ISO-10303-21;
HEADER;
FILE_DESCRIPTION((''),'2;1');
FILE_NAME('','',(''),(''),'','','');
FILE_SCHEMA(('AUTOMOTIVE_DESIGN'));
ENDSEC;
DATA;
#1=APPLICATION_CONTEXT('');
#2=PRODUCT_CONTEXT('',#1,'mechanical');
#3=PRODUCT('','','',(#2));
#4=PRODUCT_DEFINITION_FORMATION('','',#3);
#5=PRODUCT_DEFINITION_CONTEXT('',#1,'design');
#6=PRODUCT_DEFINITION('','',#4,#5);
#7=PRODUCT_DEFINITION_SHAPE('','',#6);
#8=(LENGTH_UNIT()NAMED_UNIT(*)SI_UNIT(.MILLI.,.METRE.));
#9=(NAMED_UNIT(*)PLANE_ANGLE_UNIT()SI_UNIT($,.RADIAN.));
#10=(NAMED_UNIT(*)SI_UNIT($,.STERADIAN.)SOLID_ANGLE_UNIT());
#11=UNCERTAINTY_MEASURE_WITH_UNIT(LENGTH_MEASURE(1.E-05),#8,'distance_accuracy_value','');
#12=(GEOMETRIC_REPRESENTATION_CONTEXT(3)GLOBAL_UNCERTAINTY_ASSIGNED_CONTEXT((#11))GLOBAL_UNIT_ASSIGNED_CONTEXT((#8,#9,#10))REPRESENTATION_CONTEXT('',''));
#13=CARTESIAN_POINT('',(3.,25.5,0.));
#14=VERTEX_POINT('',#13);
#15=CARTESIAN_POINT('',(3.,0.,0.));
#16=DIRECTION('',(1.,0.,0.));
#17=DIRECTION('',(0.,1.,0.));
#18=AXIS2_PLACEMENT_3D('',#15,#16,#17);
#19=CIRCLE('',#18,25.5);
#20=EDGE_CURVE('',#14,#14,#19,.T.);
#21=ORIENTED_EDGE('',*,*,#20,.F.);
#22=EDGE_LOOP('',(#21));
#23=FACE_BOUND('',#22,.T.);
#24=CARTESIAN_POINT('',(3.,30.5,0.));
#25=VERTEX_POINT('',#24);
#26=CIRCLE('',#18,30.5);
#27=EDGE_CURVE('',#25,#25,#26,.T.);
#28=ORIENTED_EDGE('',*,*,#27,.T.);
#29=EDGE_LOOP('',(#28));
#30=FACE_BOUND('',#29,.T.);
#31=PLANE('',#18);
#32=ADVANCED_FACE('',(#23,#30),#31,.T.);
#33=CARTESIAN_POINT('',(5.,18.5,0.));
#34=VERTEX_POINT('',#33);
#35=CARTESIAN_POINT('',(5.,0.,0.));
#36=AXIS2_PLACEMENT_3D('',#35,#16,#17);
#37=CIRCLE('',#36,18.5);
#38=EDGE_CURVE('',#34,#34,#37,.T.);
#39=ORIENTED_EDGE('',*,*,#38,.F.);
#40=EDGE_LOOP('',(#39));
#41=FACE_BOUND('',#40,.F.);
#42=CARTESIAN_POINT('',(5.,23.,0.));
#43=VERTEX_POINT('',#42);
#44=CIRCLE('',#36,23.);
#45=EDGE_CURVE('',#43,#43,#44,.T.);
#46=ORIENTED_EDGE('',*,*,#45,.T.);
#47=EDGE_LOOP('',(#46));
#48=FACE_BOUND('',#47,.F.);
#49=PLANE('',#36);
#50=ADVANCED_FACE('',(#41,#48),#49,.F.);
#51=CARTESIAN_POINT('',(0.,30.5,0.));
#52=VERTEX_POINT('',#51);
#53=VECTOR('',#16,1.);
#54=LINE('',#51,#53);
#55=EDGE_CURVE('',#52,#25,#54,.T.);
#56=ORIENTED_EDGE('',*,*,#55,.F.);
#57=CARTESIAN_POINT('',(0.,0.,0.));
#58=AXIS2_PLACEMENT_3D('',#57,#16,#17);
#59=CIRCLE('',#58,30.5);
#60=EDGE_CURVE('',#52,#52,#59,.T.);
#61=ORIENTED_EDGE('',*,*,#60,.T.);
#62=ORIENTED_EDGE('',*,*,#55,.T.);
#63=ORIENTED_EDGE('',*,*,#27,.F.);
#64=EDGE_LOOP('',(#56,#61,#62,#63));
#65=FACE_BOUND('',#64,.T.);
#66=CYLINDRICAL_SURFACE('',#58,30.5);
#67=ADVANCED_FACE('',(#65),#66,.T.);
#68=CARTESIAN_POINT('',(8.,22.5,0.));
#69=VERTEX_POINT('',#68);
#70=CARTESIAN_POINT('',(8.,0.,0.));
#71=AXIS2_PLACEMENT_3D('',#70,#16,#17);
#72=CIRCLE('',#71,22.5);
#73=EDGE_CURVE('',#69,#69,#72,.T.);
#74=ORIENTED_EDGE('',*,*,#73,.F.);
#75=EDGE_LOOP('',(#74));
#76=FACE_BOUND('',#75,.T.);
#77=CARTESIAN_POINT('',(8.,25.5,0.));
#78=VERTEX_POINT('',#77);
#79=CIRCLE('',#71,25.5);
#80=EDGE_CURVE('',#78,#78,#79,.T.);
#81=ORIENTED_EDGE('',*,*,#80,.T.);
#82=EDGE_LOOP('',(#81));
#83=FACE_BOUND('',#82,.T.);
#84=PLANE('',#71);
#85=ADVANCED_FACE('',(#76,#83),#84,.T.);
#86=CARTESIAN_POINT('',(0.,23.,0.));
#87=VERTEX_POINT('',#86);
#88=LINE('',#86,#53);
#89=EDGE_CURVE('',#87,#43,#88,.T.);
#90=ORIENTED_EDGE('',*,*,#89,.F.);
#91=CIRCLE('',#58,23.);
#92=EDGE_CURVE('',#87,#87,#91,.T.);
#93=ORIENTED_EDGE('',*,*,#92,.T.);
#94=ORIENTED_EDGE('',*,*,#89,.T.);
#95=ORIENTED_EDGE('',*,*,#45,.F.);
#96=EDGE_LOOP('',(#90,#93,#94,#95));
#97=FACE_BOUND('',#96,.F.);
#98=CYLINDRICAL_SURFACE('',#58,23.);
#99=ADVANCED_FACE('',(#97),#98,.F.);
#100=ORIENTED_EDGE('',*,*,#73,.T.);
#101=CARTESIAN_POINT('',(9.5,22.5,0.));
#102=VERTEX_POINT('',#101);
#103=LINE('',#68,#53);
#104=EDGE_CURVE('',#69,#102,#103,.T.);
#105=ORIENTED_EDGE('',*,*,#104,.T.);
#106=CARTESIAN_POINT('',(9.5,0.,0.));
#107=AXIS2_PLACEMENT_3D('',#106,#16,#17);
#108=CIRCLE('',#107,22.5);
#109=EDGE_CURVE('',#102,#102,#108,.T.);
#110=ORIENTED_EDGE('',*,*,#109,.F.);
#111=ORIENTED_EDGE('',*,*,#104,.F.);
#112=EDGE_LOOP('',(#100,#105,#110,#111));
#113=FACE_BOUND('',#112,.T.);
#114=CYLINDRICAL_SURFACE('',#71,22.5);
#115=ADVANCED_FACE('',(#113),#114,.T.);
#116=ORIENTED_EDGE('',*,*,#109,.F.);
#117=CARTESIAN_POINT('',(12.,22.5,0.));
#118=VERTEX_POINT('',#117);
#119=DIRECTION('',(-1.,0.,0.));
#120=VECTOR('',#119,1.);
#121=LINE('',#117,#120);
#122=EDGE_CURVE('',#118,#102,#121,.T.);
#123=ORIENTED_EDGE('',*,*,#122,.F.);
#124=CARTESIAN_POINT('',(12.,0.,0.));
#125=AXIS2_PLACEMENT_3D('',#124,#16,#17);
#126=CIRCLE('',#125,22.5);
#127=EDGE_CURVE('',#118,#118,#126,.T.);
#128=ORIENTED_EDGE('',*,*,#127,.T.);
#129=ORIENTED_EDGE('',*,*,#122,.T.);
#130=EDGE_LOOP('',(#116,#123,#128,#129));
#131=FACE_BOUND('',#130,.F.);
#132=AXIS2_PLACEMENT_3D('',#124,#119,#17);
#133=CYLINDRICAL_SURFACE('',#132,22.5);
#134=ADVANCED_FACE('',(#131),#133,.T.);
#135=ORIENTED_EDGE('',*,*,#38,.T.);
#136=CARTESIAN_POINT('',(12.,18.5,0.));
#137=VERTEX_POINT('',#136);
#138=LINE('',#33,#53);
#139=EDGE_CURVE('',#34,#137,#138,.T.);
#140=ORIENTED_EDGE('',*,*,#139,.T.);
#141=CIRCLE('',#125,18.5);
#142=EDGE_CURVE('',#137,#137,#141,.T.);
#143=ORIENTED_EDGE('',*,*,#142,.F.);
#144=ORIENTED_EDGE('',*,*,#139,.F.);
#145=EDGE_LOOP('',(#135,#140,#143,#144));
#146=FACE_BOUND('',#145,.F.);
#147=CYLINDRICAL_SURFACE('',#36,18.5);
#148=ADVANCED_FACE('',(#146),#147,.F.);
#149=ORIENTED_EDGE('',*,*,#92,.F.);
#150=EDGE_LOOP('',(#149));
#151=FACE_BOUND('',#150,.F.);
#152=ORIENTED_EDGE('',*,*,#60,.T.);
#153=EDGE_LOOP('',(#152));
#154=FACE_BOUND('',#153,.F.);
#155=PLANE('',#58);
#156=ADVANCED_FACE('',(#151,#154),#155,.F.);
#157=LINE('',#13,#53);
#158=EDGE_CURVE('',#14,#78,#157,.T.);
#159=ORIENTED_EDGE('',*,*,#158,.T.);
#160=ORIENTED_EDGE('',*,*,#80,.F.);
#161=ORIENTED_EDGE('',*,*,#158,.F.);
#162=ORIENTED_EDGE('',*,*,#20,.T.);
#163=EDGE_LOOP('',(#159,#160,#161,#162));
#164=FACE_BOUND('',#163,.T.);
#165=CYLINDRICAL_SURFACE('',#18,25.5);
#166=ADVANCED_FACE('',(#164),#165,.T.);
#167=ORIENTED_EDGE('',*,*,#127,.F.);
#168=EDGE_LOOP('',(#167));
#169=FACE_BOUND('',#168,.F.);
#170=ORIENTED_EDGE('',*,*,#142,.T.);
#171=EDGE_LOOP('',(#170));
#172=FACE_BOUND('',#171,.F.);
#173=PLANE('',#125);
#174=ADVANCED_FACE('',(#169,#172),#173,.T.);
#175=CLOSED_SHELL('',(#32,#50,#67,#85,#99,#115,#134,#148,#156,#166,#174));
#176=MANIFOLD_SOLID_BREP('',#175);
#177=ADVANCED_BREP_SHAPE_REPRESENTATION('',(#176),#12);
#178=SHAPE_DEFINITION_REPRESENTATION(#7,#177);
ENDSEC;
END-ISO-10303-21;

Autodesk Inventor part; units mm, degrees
ref_plane "YZ Plane" through (0, 0, 0) normal (1, 0, 0) x (0, 1, 0)
ref_plane "XZ Plane" through (0, 0, 0) normal (0, 1, 0) x (-1, 0, 0)
ref_plane "XY Plane" through (0, 0, 0) normal (0, 0, 1) x (1, 0, 0)
sketch "Sketch1" plane through (0, 0, 0) normal (0, 0, 1) x (1, 0, 0)
  line L0 (0, 0) -> (10, 0)
  line L1 (0, 23) -> (5, 23)
  line L2 (5, 23) -> (5, 18.5)
  line L3 (12, 18.5) -> (12, 22.5)
  line L4 (12, 22.5) -> (9.5, 22.5)
  line L5 (0, 30.5) -> (0, 23)
  line L6 (5, 18.5) -> (12, 18.5)
  line L7 (0, 30.5) -> (3, 30.5)
  line L8 (3, 30.5) -> (3, 25.5)
  line L9 (3, 25.5) -> (8, 25.5)
  line L10 (8, 25.5) -> (8, 22.5)
  line L11 (8, 22.5) -> (9.5, 22.5)
  dimension "d0" = 10
  dimension "d1" = 23
  dimension "d2" = 5
  dimension "d4" = 7
  dimension "d9" = 4.5
  dimension "d10" = 18.5
  dimension "d11" = 3
  dimension "d12" = 5
  dimension "d13" = 5
revolve "Revolution1" add sketch "Sketch1" angle 360 about axis through (0, 0, 0) along (1, 0, 0)
properties part number "raccord rous libre"
